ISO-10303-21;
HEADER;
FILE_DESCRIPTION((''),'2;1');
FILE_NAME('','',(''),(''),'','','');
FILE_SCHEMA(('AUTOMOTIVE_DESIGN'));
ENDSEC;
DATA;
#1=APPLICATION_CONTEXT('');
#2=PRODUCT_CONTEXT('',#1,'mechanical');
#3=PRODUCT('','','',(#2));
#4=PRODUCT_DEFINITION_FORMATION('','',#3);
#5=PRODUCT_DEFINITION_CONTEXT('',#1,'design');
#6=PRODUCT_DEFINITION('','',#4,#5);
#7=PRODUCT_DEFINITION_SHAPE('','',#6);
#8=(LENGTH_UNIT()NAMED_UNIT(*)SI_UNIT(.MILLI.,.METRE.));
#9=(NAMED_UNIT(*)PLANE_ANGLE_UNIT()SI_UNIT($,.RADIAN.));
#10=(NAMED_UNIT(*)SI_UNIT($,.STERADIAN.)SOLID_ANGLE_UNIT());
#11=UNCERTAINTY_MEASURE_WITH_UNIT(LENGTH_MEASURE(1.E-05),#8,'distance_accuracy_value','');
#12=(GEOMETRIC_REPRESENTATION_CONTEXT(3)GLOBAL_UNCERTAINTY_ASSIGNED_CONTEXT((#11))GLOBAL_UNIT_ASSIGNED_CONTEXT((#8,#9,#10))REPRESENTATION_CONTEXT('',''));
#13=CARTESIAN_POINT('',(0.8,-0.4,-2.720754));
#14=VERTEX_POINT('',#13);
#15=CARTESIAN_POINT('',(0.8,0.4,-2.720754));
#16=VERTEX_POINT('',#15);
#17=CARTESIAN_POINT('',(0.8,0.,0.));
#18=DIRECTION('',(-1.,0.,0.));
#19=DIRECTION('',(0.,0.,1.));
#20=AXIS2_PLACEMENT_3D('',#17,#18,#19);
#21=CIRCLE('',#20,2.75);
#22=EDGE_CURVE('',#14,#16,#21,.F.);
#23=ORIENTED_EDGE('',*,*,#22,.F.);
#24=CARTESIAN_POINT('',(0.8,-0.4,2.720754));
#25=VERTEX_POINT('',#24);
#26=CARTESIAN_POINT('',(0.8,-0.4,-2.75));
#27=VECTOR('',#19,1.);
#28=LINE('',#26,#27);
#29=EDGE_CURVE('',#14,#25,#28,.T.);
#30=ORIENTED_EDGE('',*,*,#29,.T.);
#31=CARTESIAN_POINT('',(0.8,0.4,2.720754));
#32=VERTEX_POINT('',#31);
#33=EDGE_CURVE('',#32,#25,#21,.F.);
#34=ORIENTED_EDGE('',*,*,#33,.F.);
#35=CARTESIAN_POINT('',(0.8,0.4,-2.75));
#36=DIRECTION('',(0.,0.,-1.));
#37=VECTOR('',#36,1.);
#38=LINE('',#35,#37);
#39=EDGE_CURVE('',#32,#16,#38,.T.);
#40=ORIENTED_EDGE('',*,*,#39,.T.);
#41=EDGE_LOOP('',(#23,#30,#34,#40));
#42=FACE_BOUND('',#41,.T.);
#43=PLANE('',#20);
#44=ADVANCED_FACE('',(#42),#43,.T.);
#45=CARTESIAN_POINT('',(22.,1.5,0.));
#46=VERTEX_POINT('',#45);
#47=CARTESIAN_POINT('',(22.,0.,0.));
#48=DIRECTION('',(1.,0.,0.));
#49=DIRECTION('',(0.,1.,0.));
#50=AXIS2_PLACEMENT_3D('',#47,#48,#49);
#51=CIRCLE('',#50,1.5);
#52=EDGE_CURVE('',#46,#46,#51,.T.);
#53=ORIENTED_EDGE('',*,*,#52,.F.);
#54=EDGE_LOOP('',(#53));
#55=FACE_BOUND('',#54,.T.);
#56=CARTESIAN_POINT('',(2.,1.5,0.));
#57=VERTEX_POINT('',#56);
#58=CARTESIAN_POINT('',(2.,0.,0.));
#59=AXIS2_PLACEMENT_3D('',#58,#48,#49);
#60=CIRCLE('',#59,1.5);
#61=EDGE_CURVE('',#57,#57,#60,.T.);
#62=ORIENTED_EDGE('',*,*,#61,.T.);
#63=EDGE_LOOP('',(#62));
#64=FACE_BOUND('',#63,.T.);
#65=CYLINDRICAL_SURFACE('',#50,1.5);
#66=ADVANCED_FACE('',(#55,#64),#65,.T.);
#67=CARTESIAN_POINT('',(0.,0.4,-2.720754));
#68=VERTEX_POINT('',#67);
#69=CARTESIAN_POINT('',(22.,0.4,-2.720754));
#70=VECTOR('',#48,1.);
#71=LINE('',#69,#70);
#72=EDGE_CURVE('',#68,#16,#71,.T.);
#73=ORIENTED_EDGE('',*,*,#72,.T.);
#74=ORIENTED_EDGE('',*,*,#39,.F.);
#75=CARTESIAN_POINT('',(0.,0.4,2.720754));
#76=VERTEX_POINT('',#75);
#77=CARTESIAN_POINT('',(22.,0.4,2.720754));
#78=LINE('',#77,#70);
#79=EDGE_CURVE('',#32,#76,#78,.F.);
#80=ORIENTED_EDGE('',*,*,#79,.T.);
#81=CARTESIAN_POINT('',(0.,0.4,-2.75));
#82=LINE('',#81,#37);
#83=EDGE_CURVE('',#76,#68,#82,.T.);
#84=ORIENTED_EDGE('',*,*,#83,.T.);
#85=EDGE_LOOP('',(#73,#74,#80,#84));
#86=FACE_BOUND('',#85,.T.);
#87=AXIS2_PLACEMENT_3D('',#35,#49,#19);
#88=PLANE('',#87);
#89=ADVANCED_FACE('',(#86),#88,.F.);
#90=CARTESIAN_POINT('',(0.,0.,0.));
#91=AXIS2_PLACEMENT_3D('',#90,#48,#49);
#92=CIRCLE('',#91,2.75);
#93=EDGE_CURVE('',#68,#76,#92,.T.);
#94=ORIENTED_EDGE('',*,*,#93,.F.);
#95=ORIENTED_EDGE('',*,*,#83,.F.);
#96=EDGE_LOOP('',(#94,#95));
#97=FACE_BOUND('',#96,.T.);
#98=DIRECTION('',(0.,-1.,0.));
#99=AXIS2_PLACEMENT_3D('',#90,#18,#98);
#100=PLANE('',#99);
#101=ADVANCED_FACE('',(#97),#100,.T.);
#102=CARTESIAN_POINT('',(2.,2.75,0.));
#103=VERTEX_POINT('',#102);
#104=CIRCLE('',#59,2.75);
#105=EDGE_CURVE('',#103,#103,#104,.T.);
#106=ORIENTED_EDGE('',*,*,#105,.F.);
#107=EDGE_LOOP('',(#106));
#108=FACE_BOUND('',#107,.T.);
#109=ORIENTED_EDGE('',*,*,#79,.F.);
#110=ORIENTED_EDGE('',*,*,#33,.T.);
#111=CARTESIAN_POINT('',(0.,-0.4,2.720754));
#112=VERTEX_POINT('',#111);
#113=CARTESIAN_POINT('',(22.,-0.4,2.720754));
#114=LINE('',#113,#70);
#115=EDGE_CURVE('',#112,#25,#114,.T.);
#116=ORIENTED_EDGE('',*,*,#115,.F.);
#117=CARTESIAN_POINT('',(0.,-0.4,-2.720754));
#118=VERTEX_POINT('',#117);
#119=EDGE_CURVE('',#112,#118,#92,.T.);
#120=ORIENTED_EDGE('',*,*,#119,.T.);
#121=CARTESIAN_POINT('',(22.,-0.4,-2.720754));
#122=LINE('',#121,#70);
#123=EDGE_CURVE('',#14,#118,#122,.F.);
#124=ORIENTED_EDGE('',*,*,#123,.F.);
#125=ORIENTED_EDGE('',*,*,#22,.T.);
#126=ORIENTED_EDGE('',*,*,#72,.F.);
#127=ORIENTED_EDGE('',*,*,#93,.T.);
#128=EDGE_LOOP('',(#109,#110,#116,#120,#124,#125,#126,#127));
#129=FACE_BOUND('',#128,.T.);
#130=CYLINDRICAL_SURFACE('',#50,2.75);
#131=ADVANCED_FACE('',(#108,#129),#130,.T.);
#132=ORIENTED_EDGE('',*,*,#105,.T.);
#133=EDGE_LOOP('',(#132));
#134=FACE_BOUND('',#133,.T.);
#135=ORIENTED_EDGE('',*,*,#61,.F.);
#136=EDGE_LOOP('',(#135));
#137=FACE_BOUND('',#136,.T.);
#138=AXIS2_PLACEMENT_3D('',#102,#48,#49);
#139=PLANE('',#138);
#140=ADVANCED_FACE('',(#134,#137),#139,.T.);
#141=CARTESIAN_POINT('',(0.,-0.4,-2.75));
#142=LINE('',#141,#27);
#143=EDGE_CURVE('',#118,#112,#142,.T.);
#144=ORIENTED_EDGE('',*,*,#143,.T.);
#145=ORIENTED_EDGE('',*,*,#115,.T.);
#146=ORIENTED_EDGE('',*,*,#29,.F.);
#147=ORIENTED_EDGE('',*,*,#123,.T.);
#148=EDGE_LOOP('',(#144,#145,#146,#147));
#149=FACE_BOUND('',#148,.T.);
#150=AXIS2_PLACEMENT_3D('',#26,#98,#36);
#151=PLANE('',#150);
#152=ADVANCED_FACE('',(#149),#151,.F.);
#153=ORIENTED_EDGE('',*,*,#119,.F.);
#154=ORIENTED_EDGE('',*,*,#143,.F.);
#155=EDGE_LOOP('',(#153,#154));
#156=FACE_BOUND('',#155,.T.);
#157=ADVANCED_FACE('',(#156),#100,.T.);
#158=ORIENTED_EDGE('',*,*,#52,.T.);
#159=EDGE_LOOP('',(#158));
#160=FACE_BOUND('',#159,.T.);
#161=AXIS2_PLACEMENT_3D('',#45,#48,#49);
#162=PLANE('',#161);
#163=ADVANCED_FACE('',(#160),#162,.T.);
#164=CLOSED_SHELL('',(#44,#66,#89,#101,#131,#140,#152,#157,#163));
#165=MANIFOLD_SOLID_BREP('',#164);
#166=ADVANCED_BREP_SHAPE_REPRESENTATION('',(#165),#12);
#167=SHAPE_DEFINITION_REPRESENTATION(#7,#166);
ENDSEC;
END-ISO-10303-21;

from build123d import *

# Parameters (mm, degrees)
SKETCH2_W          = 5.5
SKETCH2_H          = 0.8
CUT_EXTRUDE1_DEPTH = 0.8


with BuildPart() as part:
    # Sketch1 → Revolve1 (revolve)
    with BuildSketch(Plane.XY):
        Polygon((0, 0), (0, 2.75), (2, 2.75), (2, 1.5), (22, 1.5), (22, 0), align=None)
    revolve(axis=Axis((22, 0, 0), (-1, 0, 0)))

    # Sketch2 → Cut-Extrude1 (cut)
    with BuildSketch(Plane.ZY):
        Rectangle(SKETCH2_W, SKETCH2_H)
    extrude(amount=-CUT_EXTRUDE1_DEPTH, mode=Mode.SUBTRACT)


solid = part.part
